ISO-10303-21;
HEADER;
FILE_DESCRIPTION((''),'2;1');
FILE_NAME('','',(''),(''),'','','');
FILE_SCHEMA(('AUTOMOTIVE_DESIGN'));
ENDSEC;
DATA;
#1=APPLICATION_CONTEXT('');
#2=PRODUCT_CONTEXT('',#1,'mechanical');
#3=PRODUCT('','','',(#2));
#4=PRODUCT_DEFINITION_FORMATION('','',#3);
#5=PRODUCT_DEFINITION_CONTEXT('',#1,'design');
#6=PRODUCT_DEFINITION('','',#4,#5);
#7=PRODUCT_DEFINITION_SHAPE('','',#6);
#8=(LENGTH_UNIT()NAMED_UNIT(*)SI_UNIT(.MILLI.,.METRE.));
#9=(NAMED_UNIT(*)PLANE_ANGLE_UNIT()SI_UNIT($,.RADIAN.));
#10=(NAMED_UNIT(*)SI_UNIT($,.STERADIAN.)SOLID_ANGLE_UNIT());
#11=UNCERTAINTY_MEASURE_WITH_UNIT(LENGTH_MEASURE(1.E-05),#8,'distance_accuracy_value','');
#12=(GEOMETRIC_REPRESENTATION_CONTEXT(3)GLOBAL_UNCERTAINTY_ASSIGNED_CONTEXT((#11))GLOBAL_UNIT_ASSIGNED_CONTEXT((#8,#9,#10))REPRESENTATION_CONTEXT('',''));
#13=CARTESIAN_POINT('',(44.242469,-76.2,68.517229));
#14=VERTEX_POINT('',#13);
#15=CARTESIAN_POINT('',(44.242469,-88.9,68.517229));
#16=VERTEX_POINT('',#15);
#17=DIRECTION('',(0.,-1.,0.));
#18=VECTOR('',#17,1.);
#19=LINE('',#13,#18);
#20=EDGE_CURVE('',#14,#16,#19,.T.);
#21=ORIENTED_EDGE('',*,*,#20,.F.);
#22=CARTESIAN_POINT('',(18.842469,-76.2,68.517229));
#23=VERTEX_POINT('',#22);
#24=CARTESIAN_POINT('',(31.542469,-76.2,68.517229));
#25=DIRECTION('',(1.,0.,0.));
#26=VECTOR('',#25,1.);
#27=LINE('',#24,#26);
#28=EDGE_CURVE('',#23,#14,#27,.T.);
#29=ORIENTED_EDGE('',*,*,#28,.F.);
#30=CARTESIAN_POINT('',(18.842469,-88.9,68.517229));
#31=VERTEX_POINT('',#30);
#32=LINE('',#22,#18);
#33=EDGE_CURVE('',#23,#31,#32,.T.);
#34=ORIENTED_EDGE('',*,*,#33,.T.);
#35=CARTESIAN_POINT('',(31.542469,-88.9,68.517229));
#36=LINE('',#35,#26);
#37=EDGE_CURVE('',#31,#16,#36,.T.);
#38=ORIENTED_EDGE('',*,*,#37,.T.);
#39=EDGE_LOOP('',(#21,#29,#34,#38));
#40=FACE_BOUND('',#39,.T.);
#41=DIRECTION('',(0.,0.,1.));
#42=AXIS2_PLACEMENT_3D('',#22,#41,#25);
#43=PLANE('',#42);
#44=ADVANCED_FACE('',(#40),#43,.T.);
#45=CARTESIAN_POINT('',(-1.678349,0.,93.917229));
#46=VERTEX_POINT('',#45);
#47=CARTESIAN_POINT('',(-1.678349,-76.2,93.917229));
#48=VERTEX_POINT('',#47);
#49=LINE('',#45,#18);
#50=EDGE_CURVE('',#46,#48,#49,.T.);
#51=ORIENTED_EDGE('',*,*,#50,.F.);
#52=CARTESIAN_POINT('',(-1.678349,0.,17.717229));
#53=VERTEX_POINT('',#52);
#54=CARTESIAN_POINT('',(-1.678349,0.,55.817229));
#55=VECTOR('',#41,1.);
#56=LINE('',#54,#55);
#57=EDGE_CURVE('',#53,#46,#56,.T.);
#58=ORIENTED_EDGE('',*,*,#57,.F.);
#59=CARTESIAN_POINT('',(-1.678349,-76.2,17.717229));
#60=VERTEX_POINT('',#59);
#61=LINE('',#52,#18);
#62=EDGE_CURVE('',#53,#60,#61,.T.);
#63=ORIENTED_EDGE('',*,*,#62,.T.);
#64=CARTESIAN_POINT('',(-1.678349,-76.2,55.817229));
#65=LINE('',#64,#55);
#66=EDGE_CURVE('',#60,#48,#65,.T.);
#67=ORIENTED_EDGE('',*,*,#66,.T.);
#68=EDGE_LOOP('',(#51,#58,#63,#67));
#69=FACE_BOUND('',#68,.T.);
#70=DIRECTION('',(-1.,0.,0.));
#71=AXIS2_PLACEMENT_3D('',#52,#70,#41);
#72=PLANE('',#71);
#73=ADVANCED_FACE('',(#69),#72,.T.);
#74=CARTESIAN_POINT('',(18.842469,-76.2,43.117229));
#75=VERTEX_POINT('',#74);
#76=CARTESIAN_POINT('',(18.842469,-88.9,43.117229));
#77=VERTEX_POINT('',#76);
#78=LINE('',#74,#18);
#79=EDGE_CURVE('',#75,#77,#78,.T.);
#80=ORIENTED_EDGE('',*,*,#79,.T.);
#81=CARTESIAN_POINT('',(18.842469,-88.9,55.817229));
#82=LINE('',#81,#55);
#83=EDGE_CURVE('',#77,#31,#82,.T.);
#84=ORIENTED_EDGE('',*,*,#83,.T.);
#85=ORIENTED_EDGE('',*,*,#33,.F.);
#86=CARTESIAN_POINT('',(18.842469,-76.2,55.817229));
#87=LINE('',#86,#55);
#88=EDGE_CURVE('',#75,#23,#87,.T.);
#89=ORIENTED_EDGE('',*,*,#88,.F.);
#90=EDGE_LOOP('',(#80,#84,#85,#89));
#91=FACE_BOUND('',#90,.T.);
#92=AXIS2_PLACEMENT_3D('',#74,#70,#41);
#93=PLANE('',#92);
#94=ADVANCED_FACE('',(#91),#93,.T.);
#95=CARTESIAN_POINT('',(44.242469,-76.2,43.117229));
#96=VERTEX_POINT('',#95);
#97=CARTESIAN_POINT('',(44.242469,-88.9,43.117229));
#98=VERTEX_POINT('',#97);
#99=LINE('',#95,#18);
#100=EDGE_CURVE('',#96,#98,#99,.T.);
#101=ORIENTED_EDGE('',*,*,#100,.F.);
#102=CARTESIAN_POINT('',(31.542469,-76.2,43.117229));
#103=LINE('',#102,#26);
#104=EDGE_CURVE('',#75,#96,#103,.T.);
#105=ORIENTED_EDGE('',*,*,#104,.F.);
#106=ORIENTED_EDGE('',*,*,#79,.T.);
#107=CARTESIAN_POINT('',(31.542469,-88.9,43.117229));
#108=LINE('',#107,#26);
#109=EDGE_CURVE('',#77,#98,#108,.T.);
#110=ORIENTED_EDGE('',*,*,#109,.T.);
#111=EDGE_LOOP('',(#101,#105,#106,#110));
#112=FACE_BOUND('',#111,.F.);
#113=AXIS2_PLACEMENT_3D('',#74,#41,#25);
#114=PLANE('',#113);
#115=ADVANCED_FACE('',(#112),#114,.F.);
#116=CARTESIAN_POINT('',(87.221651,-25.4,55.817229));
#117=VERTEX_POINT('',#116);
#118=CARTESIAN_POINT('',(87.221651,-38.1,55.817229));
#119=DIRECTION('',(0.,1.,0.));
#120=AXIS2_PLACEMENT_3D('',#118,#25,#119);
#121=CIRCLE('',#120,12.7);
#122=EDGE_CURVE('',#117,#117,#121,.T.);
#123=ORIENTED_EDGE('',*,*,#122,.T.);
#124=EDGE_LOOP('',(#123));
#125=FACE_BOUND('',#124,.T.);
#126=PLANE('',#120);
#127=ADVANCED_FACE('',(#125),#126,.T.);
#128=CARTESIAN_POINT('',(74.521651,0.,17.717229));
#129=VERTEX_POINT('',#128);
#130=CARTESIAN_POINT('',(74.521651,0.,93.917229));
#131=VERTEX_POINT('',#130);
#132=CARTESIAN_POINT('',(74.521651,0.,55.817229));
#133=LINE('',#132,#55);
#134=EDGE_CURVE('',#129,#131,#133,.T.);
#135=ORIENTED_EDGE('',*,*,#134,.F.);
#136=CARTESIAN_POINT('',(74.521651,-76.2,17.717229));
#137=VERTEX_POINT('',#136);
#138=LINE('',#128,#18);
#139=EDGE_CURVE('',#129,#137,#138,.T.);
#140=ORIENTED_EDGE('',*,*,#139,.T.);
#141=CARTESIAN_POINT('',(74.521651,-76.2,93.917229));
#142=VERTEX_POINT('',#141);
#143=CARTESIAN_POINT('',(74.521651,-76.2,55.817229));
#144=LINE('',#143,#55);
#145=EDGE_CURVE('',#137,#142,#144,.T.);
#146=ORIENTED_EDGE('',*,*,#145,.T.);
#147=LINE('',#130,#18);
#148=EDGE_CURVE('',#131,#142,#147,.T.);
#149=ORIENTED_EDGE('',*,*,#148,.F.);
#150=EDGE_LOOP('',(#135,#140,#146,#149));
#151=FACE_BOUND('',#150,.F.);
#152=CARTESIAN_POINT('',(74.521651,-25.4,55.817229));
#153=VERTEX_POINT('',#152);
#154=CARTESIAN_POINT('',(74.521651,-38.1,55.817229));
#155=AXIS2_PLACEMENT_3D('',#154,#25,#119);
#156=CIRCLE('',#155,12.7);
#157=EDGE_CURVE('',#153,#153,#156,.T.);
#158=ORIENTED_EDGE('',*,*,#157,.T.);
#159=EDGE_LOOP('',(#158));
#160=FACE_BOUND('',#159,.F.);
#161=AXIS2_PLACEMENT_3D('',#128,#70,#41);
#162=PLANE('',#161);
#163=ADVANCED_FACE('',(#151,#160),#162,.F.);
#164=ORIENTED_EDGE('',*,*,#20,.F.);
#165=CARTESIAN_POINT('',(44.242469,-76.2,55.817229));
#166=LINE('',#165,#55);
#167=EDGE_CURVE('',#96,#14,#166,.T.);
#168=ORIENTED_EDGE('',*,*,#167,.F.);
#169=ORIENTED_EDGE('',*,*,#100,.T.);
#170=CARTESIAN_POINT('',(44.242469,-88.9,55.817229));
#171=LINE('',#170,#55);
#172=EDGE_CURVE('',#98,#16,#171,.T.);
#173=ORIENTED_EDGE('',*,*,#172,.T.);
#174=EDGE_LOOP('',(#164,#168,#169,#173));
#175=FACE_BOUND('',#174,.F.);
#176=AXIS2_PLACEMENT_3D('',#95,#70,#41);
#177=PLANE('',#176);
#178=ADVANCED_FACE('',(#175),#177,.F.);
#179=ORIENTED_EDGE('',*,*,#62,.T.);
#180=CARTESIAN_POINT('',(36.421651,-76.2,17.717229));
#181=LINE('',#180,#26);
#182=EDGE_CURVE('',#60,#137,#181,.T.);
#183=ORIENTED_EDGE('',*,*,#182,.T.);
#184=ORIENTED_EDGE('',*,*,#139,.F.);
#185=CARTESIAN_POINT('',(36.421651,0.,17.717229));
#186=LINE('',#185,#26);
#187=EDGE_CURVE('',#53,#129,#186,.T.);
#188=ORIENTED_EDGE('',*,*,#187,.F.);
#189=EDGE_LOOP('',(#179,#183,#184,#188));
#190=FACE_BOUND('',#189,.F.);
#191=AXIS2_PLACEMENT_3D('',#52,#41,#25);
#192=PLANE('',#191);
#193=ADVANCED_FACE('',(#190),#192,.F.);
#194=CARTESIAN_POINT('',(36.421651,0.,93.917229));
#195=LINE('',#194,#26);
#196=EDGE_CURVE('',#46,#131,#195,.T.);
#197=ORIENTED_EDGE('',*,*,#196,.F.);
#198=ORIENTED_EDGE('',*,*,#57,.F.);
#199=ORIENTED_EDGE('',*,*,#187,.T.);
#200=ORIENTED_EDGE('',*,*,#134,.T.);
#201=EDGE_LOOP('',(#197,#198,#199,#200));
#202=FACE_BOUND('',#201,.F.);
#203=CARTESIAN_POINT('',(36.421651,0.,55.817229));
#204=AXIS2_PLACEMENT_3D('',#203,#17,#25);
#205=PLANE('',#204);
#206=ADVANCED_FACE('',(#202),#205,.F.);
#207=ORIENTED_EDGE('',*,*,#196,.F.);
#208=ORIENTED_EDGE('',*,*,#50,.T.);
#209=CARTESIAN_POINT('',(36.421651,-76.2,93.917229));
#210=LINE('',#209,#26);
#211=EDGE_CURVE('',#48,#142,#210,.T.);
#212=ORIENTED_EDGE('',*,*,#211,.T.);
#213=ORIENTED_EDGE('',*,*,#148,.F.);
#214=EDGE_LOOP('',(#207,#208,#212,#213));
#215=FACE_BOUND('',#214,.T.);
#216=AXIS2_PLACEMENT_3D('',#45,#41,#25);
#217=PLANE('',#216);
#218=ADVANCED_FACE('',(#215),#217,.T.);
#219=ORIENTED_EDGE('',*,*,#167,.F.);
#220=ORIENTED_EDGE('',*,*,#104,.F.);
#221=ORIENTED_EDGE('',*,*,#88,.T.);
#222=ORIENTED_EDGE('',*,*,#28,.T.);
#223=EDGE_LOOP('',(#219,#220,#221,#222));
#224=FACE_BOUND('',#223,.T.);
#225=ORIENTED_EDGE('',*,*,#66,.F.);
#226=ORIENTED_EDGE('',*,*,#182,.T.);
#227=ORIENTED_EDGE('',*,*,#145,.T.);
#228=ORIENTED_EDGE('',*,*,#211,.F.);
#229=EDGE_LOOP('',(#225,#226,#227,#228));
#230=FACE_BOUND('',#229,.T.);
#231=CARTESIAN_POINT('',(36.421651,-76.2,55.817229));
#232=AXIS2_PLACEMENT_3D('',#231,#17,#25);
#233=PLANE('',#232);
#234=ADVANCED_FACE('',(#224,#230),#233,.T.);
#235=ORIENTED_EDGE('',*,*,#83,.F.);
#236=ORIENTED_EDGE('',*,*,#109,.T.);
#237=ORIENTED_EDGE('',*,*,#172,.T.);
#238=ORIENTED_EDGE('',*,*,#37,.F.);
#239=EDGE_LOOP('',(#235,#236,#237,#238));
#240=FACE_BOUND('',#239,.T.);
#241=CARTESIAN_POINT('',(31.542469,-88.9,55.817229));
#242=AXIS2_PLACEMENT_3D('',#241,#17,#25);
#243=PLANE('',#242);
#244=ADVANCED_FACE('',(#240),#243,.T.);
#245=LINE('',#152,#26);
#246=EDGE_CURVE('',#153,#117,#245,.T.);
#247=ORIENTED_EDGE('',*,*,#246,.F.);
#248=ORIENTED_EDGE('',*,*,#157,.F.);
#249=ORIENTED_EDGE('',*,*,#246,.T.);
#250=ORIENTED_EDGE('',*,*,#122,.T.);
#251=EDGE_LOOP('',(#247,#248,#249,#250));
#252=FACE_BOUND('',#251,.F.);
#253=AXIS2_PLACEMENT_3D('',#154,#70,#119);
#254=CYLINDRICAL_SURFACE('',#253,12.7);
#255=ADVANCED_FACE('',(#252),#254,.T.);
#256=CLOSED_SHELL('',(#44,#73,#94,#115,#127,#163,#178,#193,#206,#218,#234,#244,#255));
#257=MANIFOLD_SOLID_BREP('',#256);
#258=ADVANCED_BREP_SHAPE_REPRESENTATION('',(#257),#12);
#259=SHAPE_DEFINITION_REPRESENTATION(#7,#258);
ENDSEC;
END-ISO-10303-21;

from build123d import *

# Parameters (mm, degrees)
F0_W     = 76.2
F0_H     = 76.2
F1_DEPTH = 76.2
F2_W     = 25.4
F2_H     = 25.4
F3_DEPTH = 12.7
F4_R     = 12.7
F5_DEPTH = 12.7


with BuildPart() as f1:
    # F0 (on Front) → F1 (new body)
    with BuildSketch(Plane.XZ):
        with Locations((36.421651, 55.817229)):
            Rectangle(F0_W, F0_H)
    extrude(amount=F1_DEPTH)

    # F2 (on face) → F3 (join)
    with BuildSketch(Plane.XZ.offset(76.2)):
        with Locations((31.542469, 55.817229)):
            Rectangle(F2_W, F2_H)
    extrude(amount=F3_DEPTH)

    # F4 (on face) → F5 (join)
    with BuildSketch(Plane.YZ.offset(74.521651)):
        with Locations((-38.1, 55.817229)):
            Circle(F4_R)
    extrude(amount=F5_DEPTH)


solid = f1.part
